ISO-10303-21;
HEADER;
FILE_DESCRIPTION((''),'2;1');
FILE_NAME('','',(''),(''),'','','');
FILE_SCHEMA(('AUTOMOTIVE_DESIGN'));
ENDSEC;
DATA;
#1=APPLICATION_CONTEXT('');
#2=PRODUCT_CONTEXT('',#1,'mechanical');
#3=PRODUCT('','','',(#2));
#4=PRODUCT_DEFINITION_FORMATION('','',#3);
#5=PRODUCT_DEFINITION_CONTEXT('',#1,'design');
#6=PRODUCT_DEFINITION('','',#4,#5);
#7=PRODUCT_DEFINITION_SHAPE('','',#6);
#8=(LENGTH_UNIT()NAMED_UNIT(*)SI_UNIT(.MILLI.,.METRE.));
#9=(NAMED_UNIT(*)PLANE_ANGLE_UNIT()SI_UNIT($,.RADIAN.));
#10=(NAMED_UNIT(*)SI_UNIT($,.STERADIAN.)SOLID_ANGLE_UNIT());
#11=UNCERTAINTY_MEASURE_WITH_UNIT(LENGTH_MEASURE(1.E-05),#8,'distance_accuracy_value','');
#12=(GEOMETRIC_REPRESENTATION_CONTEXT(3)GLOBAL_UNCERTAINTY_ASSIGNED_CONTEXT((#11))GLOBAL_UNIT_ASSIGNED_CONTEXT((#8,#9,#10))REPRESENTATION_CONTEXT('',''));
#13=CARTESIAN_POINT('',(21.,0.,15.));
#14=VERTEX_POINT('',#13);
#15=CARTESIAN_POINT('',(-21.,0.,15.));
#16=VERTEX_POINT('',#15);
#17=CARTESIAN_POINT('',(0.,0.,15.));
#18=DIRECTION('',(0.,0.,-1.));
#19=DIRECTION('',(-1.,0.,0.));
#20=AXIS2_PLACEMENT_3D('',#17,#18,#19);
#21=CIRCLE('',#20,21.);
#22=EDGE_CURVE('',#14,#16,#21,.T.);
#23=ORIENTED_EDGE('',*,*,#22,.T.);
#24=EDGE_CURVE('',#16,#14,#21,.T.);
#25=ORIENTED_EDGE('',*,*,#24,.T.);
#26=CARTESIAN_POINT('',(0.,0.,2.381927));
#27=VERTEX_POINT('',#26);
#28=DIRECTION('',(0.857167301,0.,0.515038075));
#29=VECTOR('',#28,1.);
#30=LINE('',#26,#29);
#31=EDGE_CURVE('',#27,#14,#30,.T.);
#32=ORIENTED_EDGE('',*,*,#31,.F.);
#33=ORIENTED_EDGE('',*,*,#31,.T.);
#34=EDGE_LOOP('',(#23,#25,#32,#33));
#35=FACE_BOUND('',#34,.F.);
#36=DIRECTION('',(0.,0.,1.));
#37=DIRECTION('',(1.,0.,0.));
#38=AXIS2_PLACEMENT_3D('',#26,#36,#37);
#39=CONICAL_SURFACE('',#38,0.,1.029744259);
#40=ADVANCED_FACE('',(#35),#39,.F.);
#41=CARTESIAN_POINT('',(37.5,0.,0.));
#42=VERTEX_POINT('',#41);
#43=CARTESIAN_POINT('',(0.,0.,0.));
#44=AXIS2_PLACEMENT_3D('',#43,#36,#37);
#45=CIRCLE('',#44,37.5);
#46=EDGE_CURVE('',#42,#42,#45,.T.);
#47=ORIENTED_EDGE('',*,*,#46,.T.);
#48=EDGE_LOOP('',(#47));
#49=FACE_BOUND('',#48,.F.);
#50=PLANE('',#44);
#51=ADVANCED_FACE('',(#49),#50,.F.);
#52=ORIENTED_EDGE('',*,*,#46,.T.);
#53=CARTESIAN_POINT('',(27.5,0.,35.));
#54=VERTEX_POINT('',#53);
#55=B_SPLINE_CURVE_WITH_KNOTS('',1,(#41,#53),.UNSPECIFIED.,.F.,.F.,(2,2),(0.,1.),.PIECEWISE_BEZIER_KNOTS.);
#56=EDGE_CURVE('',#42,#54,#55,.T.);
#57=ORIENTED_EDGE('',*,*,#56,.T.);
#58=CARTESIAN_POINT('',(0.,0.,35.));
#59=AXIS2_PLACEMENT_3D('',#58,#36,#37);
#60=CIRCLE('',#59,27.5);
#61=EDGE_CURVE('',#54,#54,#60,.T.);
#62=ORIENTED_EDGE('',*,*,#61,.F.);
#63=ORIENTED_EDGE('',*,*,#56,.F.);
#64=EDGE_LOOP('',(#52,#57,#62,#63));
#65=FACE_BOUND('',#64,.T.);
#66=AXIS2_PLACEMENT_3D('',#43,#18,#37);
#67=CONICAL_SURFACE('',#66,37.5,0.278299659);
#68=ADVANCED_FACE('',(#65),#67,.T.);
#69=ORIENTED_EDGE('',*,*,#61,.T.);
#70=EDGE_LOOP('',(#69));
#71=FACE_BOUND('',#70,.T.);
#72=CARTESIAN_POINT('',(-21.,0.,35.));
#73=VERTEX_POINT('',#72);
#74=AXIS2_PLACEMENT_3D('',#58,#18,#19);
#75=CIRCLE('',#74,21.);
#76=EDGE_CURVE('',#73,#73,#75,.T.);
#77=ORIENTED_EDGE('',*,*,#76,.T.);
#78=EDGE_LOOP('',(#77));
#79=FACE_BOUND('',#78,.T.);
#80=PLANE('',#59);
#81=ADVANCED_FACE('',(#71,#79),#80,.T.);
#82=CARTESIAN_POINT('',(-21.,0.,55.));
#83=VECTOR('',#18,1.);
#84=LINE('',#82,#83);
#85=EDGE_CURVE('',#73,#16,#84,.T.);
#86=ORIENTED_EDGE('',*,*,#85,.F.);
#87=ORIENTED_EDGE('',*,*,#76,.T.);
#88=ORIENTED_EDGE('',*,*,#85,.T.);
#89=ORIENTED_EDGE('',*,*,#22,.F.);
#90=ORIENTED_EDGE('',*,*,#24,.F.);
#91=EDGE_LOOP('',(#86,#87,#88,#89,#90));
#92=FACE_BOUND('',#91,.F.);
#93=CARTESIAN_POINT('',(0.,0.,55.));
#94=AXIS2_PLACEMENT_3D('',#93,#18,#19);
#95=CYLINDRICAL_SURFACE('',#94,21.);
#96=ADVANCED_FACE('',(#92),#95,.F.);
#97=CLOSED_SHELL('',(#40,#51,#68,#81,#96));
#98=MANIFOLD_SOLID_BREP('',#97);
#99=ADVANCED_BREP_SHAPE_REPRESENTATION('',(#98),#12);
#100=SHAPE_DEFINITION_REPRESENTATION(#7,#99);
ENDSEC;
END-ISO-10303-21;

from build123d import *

# Parameters (mm, degrees)
F0_R     = 37.5
F2_R     = 27.5
F4_D     = 42
F4_DEPTH = 20
F4_TIP   = 12.6180729996


with BuildPart() as f3:
    # F0 (on Top) → F3 section 0
    with BuildSketch(Plane.XY):
        Circle(F0_R)
    # F2 (on offset) → F3 section 1
    with BuildSketch(Plane.XY.offset(35)):
        Circle(F2_R)
    loft()

    # F4
    with Locations(Plane.XY.offset(35)):
        with Locations((0, 0)):
            Hole(F4_D / 2, depth=F4_DEPTH)
            with Locations((0, 0, -(F4_DEPTH + F4_TIP / 2))):  # 118° drill point
                Cone(0, F4_D / 2, F4_TIP, mode=Mode.SUBTRACT)


solid = f3.part
